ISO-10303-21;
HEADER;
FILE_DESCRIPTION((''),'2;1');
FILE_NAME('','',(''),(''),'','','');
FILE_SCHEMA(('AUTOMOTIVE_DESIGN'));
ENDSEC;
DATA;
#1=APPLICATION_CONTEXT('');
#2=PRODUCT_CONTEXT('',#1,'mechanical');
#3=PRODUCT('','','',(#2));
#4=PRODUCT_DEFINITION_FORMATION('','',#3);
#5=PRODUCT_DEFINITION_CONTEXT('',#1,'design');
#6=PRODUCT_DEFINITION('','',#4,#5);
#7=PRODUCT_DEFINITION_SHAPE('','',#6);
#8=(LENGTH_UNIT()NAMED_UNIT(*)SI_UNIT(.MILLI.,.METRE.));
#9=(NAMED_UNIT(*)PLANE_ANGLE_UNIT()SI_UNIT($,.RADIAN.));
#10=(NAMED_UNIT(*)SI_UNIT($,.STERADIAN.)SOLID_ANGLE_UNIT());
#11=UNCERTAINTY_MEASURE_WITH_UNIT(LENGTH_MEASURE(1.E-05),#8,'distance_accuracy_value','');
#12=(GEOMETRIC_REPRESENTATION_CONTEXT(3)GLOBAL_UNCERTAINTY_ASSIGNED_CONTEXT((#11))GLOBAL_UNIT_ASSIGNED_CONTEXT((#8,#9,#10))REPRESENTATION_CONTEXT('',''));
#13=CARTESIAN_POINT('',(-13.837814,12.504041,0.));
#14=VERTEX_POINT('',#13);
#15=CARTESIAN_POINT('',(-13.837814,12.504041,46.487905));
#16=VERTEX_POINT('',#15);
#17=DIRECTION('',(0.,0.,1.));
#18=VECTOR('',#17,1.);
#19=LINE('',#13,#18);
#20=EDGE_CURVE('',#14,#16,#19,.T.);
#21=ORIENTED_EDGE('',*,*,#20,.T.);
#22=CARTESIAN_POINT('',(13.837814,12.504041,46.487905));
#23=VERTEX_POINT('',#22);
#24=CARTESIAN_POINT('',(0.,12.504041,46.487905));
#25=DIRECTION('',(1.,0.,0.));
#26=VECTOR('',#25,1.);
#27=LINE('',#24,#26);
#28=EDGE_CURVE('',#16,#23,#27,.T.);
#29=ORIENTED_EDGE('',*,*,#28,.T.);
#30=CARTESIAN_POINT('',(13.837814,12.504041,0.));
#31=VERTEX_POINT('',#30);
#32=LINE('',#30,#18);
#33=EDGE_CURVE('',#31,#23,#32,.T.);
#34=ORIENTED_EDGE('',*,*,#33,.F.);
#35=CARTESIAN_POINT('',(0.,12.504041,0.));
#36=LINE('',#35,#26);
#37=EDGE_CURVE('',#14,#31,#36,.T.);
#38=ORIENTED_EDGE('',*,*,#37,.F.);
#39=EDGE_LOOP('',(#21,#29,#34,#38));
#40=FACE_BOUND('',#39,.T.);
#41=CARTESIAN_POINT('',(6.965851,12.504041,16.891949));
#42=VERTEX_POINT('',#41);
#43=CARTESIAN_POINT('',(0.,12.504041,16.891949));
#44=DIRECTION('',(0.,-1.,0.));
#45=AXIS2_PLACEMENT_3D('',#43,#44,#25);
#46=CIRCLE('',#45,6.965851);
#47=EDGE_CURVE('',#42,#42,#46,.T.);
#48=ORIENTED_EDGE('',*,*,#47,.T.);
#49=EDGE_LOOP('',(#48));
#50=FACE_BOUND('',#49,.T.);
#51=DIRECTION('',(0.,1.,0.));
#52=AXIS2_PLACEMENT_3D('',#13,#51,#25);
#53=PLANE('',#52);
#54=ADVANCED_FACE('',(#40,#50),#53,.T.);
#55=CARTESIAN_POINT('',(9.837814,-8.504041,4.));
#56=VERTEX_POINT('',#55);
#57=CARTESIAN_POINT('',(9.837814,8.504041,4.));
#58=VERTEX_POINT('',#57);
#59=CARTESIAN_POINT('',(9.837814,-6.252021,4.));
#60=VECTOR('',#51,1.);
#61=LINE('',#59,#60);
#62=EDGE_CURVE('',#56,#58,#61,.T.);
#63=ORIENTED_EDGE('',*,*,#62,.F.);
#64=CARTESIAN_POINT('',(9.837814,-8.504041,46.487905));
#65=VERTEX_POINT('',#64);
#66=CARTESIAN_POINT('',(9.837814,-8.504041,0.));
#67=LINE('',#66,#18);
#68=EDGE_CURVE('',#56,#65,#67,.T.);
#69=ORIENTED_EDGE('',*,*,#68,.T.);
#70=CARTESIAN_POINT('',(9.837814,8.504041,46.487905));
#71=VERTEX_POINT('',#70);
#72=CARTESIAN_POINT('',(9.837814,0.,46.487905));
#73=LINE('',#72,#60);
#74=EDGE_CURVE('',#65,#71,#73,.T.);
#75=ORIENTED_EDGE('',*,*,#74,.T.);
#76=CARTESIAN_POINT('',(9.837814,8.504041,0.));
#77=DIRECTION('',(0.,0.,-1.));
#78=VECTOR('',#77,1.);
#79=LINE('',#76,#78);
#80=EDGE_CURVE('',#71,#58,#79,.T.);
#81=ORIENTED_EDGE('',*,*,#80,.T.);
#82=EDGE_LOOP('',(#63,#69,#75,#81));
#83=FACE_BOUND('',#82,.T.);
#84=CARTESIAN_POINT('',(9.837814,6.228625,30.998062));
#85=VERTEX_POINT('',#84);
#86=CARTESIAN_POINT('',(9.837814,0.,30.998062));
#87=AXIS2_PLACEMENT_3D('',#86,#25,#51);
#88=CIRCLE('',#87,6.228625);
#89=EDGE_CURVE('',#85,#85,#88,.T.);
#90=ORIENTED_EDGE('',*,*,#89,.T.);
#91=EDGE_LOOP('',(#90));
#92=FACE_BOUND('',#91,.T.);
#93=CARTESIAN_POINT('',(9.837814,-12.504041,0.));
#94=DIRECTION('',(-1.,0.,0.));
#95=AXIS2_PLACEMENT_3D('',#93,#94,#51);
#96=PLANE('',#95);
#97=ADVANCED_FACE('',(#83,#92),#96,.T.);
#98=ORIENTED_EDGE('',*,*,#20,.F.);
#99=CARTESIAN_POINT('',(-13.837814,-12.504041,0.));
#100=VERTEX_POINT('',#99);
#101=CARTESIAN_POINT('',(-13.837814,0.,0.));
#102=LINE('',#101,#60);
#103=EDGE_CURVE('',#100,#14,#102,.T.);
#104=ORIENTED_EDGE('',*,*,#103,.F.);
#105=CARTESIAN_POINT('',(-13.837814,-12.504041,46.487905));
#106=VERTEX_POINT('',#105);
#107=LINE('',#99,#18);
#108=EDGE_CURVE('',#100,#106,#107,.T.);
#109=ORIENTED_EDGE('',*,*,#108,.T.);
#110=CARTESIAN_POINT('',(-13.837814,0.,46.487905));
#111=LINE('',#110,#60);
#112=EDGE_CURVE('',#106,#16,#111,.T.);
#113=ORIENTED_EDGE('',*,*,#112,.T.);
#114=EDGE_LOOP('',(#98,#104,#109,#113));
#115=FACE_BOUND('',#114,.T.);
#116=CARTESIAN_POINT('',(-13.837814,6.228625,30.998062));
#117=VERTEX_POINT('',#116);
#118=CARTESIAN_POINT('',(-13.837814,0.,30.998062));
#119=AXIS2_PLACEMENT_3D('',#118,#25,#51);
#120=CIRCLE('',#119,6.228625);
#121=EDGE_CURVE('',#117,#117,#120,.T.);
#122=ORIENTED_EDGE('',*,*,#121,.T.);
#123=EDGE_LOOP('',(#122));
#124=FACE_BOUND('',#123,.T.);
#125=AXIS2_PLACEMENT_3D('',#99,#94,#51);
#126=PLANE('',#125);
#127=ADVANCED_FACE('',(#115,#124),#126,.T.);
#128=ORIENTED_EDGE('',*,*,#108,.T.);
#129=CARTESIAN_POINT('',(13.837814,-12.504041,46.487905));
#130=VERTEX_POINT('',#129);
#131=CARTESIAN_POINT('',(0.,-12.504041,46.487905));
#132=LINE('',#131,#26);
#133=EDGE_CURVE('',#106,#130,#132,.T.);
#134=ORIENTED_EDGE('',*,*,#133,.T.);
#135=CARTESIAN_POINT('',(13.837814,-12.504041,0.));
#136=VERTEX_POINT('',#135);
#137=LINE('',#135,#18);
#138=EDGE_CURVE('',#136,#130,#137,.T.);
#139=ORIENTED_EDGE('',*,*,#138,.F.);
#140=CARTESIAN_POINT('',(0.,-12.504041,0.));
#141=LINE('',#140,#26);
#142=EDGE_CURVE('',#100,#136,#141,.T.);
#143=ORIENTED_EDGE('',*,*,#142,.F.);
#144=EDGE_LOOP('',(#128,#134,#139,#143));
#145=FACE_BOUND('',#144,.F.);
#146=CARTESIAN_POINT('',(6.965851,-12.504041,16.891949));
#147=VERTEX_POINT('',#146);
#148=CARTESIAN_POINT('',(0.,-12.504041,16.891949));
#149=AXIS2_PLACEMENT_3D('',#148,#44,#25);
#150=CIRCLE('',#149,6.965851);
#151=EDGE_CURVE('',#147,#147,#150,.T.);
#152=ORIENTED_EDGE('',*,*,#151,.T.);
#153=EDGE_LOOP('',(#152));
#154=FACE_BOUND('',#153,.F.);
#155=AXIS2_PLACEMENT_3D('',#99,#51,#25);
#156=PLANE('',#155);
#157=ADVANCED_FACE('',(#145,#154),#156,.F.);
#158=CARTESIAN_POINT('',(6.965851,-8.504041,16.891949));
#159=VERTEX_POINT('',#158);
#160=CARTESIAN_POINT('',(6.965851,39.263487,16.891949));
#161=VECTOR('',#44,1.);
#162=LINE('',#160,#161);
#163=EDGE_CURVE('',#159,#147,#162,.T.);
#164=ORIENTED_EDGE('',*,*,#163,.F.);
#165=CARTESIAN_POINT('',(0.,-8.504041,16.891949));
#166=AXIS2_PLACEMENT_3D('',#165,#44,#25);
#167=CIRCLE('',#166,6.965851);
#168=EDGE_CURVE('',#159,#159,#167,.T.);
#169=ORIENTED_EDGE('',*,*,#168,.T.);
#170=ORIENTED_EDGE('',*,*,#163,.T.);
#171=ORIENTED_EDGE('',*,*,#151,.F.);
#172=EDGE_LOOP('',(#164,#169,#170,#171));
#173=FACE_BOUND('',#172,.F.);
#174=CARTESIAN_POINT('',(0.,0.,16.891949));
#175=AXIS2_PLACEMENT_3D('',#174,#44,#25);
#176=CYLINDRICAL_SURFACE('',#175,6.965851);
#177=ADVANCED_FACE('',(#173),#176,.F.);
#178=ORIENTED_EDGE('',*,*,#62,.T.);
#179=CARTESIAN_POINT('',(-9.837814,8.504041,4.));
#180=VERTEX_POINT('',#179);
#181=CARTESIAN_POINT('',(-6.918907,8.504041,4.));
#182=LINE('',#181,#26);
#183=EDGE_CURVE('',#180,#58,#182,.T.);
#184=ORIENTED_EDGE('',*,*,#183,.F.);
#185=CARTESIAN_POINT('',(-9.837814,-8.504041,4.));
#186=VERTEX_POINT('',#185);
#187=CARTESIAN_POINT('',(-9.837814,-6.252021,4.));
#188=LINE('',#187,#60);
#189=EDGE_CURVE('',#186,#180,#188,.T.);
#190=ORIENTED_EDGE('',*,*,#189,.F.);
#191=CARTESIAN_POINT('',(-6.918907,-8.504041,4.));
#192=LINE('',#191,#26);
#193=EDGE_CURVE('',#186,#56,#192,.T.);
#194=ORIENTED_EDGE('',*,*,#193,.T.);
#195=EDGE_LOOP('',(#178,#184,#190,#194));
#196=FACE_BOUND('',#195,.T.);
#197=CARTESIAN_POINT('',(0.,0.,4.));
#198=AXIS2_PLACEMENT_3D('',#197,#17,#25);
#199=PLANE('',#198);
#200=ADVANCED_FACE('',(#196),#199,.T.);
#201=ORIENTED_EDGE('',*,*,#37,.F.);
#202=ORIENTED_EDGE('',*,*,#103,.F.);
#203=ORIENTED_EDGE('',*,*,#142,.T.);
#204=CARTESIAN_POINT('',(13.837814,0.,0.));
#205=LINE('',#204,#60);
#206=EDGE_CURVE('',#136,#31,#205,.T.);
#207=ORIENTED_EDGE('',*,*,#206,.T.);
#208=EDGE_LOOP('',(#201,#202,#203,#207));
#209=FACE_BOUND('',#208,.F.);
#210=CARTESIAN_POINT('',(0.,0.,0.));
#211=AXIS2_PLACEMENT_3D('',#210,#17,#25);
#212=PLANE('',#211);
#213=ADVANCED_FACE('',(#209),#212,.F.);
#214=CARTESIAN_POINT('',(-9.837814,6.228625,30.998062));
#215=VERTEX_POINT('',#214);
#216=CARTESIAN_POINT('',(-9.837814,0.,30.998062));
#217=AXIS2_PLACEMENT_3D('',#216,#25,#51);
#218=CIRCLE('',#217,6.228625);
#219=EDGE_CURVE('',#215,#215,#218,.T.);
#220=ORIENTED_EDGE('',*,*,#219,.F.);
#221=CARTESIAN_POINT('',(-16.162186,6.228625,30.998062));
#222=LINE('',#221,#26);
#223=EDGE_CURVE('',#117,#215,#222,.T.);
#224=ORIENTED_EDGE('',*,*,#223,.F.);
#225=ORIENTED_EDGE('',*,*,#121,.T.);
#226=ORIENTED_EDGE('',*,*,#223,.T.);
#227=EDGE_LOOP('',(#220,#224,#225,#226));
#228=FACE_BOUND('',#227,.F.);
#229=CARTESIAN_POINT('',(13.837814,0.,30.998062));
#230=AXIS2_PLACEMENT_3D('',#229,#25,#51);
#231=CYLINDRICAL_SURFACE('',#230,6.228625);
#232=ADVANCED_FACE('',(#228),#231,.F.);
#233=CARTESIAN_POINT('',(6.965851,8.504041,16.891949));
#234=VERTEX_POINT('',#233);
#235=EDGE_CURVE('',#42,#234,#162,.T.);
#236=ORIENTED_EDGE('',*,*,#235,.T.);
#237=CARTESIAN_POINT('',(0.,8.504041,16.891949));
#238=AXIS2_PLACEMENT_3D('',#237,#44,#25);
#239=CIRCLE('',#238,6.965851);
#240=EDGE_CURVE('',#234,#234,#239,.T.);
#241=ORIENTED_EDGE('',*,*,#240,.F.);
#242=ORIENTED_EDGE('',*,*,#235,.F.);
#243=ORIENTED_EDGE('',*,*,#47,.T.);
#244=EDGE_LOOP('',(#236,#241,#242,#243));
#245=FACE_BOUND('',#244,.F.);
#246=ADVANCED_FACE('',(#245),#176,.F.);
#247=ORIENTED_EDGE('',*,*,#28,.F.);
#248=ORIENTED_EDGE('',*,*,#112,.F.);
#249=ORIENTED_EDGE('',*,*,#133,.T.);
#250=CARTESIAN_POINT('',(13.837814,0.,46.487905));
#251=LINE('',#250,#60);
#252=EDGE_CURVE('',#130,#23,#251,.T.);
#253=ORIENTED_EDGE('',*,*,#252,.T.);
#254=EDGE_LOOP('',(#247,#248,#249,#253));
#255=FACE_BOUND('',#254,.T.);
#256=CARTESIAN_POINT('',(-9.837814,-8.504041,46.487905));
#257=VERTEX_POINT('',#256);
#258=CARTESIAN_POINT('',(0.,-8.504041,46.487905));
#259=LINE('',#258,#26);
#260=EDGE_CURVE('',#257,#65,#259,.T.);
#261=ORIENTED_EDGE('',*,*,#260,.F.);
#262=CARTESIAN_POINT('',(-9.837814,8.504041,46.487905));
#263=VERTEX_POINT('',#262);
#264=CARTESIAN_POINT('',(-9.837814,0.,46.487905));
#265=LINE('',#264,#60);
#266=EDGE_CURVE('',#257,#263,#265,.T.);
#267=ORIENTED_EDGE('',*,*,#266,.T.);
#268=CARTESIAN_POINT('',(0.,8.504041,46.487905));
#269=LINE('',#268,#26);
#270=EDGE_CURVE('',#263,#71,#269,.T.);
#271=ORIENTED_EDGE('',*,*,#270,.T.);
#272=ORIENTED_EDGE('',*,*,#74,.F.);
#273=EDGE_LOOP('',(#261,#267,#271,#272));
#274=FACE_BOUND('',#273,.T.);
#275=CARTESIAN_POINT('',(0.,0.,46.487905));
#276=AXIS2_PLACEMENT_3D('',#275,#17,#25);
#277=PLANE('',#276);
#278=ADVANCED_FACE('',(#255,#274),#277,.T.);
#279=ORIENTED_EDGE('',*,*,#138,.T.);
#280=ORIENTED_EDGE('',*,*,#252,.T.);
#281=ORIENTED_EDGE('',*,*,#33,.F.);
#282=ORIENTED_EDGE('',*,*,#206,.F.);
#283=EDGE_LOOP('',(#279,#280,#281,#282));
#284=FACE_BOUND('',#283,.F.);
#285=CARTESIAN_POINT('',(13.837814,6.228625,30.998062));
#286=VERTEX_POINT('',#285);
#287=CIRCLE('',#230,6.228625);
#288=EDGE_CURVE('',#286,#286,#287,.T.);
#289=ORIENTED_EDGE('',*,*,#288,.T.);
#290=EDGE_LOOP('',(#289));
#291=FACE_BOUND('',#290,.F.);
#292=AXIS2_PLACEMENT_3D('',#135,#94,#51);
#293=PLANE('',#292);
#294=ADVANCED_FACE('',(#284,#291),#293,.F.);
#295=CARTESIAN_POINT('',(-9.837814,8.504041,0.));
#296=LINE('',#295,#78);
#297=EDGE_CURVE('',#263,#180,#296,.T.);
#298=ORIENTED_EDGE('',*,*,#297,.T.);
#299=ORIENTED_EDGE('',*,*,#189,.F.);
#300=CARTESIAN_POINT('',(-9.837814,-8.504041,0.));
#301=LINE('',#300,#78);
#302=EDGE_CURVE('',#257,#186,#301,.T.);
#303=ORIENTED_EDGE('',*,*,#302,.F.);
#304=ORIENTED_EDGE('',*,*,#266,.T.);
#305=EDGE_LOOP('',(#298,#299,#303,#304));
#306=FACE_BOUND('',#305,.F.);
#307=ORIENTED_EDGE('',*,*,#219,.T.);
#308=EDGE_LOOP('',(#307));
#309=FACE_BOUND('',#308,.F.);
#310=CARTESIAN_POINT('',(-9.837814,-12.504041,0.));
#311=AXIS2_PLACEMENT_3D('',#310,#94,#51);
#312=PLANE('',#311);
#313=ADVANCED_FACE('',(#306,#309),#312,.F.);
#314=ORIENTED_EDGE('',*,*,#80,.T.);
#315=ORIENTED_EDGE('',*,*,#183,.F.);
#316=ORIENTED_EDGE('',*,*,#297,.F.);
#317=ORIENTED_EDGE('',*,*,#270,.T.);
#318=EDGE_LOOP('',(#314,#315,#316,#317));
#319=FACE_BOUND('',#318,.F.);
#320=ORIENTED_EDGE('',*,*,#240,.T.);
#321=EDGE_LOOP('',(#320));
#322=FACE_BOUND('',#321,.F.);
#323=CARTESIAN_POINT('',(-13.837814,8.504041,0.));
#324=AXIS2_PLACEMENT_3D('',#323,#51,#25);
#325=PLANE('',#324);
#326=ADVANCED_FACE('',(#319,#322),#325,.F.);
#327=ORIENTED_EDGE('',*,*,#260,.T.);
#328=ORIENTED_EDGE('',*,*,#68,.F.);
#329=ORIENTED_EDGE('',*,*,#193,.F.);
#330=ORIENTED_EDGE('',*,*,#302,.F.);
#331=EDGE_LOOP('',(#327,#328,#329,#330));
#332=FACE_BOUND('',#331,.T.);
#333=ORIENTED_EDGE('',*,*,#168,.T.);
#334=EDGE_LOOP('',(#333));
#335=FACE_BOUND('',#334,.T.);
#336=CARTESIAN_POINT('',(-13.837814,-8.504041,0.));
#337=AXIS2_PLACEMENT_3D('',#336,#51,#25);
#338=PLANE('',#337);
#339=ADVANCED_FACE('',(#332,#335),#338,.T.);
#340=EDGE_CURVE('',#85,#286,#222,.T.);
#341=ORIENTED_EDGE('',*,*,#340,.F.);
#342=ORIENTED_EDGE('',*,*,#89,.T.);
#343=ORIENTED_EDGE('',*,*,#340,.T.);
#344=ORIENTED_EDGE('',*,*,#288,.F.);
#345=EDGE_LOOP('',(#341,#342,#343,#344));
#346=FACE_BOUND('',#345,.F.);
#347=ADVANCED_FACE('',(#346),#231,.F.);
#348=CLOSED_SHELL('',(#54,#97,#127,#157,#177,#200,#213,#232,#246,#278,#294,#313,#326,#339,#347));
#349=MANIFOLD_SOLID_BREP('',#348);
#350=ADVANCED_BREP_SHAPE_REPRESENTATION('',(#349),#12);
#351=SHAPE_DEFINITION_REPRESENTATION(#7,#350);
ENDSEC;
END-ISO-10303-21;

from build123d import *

# Parameters (mm, degrees)
F0_W     = 27.675628
F0_H     = 25.008082
F1_DEPTH = 46.487905
F2_T     = -4
F3_R     = 6.965851
F4_DEPTH = 39.263487
F5_R     = 6.228625
F6_DEPTH = 30


with BuildPart() as f1:
    # F0 (on Top) → F1 (new body)
    with BuildSketch(Plane.XY):
        Rectangle(F0_W, F0_H)
    extrude(amount=F1_DEPTH)

    # F2
    f2_openings = [f1.faces().sort_by_distance(p)[0] for p in [
        (0, 0, 46.487905),
    ]]
    offset(amount=F2_T, openings=f2_openings)

    # F3 (on Front) → F4 (cut, symmetric)
    with BuildSketch(Plane.XZ):
        with Locations((0, 16.891949)):
            Circle(F3_R)
    extrude(amount=F4_DEPTH, both=True, mode=Mode.SUBTRACT)

    # F5 (on face) → F6 (cut, symmetric)
    with BuildSketch(Plane.YZ.offset(13.837814)):
        with Locations((0, 30.998062)):
            Circle(F5_R)
    extrude(amount=F6_DEPTH, both=True, mode=Mode.SUBTRACT)


solid = f1.part
